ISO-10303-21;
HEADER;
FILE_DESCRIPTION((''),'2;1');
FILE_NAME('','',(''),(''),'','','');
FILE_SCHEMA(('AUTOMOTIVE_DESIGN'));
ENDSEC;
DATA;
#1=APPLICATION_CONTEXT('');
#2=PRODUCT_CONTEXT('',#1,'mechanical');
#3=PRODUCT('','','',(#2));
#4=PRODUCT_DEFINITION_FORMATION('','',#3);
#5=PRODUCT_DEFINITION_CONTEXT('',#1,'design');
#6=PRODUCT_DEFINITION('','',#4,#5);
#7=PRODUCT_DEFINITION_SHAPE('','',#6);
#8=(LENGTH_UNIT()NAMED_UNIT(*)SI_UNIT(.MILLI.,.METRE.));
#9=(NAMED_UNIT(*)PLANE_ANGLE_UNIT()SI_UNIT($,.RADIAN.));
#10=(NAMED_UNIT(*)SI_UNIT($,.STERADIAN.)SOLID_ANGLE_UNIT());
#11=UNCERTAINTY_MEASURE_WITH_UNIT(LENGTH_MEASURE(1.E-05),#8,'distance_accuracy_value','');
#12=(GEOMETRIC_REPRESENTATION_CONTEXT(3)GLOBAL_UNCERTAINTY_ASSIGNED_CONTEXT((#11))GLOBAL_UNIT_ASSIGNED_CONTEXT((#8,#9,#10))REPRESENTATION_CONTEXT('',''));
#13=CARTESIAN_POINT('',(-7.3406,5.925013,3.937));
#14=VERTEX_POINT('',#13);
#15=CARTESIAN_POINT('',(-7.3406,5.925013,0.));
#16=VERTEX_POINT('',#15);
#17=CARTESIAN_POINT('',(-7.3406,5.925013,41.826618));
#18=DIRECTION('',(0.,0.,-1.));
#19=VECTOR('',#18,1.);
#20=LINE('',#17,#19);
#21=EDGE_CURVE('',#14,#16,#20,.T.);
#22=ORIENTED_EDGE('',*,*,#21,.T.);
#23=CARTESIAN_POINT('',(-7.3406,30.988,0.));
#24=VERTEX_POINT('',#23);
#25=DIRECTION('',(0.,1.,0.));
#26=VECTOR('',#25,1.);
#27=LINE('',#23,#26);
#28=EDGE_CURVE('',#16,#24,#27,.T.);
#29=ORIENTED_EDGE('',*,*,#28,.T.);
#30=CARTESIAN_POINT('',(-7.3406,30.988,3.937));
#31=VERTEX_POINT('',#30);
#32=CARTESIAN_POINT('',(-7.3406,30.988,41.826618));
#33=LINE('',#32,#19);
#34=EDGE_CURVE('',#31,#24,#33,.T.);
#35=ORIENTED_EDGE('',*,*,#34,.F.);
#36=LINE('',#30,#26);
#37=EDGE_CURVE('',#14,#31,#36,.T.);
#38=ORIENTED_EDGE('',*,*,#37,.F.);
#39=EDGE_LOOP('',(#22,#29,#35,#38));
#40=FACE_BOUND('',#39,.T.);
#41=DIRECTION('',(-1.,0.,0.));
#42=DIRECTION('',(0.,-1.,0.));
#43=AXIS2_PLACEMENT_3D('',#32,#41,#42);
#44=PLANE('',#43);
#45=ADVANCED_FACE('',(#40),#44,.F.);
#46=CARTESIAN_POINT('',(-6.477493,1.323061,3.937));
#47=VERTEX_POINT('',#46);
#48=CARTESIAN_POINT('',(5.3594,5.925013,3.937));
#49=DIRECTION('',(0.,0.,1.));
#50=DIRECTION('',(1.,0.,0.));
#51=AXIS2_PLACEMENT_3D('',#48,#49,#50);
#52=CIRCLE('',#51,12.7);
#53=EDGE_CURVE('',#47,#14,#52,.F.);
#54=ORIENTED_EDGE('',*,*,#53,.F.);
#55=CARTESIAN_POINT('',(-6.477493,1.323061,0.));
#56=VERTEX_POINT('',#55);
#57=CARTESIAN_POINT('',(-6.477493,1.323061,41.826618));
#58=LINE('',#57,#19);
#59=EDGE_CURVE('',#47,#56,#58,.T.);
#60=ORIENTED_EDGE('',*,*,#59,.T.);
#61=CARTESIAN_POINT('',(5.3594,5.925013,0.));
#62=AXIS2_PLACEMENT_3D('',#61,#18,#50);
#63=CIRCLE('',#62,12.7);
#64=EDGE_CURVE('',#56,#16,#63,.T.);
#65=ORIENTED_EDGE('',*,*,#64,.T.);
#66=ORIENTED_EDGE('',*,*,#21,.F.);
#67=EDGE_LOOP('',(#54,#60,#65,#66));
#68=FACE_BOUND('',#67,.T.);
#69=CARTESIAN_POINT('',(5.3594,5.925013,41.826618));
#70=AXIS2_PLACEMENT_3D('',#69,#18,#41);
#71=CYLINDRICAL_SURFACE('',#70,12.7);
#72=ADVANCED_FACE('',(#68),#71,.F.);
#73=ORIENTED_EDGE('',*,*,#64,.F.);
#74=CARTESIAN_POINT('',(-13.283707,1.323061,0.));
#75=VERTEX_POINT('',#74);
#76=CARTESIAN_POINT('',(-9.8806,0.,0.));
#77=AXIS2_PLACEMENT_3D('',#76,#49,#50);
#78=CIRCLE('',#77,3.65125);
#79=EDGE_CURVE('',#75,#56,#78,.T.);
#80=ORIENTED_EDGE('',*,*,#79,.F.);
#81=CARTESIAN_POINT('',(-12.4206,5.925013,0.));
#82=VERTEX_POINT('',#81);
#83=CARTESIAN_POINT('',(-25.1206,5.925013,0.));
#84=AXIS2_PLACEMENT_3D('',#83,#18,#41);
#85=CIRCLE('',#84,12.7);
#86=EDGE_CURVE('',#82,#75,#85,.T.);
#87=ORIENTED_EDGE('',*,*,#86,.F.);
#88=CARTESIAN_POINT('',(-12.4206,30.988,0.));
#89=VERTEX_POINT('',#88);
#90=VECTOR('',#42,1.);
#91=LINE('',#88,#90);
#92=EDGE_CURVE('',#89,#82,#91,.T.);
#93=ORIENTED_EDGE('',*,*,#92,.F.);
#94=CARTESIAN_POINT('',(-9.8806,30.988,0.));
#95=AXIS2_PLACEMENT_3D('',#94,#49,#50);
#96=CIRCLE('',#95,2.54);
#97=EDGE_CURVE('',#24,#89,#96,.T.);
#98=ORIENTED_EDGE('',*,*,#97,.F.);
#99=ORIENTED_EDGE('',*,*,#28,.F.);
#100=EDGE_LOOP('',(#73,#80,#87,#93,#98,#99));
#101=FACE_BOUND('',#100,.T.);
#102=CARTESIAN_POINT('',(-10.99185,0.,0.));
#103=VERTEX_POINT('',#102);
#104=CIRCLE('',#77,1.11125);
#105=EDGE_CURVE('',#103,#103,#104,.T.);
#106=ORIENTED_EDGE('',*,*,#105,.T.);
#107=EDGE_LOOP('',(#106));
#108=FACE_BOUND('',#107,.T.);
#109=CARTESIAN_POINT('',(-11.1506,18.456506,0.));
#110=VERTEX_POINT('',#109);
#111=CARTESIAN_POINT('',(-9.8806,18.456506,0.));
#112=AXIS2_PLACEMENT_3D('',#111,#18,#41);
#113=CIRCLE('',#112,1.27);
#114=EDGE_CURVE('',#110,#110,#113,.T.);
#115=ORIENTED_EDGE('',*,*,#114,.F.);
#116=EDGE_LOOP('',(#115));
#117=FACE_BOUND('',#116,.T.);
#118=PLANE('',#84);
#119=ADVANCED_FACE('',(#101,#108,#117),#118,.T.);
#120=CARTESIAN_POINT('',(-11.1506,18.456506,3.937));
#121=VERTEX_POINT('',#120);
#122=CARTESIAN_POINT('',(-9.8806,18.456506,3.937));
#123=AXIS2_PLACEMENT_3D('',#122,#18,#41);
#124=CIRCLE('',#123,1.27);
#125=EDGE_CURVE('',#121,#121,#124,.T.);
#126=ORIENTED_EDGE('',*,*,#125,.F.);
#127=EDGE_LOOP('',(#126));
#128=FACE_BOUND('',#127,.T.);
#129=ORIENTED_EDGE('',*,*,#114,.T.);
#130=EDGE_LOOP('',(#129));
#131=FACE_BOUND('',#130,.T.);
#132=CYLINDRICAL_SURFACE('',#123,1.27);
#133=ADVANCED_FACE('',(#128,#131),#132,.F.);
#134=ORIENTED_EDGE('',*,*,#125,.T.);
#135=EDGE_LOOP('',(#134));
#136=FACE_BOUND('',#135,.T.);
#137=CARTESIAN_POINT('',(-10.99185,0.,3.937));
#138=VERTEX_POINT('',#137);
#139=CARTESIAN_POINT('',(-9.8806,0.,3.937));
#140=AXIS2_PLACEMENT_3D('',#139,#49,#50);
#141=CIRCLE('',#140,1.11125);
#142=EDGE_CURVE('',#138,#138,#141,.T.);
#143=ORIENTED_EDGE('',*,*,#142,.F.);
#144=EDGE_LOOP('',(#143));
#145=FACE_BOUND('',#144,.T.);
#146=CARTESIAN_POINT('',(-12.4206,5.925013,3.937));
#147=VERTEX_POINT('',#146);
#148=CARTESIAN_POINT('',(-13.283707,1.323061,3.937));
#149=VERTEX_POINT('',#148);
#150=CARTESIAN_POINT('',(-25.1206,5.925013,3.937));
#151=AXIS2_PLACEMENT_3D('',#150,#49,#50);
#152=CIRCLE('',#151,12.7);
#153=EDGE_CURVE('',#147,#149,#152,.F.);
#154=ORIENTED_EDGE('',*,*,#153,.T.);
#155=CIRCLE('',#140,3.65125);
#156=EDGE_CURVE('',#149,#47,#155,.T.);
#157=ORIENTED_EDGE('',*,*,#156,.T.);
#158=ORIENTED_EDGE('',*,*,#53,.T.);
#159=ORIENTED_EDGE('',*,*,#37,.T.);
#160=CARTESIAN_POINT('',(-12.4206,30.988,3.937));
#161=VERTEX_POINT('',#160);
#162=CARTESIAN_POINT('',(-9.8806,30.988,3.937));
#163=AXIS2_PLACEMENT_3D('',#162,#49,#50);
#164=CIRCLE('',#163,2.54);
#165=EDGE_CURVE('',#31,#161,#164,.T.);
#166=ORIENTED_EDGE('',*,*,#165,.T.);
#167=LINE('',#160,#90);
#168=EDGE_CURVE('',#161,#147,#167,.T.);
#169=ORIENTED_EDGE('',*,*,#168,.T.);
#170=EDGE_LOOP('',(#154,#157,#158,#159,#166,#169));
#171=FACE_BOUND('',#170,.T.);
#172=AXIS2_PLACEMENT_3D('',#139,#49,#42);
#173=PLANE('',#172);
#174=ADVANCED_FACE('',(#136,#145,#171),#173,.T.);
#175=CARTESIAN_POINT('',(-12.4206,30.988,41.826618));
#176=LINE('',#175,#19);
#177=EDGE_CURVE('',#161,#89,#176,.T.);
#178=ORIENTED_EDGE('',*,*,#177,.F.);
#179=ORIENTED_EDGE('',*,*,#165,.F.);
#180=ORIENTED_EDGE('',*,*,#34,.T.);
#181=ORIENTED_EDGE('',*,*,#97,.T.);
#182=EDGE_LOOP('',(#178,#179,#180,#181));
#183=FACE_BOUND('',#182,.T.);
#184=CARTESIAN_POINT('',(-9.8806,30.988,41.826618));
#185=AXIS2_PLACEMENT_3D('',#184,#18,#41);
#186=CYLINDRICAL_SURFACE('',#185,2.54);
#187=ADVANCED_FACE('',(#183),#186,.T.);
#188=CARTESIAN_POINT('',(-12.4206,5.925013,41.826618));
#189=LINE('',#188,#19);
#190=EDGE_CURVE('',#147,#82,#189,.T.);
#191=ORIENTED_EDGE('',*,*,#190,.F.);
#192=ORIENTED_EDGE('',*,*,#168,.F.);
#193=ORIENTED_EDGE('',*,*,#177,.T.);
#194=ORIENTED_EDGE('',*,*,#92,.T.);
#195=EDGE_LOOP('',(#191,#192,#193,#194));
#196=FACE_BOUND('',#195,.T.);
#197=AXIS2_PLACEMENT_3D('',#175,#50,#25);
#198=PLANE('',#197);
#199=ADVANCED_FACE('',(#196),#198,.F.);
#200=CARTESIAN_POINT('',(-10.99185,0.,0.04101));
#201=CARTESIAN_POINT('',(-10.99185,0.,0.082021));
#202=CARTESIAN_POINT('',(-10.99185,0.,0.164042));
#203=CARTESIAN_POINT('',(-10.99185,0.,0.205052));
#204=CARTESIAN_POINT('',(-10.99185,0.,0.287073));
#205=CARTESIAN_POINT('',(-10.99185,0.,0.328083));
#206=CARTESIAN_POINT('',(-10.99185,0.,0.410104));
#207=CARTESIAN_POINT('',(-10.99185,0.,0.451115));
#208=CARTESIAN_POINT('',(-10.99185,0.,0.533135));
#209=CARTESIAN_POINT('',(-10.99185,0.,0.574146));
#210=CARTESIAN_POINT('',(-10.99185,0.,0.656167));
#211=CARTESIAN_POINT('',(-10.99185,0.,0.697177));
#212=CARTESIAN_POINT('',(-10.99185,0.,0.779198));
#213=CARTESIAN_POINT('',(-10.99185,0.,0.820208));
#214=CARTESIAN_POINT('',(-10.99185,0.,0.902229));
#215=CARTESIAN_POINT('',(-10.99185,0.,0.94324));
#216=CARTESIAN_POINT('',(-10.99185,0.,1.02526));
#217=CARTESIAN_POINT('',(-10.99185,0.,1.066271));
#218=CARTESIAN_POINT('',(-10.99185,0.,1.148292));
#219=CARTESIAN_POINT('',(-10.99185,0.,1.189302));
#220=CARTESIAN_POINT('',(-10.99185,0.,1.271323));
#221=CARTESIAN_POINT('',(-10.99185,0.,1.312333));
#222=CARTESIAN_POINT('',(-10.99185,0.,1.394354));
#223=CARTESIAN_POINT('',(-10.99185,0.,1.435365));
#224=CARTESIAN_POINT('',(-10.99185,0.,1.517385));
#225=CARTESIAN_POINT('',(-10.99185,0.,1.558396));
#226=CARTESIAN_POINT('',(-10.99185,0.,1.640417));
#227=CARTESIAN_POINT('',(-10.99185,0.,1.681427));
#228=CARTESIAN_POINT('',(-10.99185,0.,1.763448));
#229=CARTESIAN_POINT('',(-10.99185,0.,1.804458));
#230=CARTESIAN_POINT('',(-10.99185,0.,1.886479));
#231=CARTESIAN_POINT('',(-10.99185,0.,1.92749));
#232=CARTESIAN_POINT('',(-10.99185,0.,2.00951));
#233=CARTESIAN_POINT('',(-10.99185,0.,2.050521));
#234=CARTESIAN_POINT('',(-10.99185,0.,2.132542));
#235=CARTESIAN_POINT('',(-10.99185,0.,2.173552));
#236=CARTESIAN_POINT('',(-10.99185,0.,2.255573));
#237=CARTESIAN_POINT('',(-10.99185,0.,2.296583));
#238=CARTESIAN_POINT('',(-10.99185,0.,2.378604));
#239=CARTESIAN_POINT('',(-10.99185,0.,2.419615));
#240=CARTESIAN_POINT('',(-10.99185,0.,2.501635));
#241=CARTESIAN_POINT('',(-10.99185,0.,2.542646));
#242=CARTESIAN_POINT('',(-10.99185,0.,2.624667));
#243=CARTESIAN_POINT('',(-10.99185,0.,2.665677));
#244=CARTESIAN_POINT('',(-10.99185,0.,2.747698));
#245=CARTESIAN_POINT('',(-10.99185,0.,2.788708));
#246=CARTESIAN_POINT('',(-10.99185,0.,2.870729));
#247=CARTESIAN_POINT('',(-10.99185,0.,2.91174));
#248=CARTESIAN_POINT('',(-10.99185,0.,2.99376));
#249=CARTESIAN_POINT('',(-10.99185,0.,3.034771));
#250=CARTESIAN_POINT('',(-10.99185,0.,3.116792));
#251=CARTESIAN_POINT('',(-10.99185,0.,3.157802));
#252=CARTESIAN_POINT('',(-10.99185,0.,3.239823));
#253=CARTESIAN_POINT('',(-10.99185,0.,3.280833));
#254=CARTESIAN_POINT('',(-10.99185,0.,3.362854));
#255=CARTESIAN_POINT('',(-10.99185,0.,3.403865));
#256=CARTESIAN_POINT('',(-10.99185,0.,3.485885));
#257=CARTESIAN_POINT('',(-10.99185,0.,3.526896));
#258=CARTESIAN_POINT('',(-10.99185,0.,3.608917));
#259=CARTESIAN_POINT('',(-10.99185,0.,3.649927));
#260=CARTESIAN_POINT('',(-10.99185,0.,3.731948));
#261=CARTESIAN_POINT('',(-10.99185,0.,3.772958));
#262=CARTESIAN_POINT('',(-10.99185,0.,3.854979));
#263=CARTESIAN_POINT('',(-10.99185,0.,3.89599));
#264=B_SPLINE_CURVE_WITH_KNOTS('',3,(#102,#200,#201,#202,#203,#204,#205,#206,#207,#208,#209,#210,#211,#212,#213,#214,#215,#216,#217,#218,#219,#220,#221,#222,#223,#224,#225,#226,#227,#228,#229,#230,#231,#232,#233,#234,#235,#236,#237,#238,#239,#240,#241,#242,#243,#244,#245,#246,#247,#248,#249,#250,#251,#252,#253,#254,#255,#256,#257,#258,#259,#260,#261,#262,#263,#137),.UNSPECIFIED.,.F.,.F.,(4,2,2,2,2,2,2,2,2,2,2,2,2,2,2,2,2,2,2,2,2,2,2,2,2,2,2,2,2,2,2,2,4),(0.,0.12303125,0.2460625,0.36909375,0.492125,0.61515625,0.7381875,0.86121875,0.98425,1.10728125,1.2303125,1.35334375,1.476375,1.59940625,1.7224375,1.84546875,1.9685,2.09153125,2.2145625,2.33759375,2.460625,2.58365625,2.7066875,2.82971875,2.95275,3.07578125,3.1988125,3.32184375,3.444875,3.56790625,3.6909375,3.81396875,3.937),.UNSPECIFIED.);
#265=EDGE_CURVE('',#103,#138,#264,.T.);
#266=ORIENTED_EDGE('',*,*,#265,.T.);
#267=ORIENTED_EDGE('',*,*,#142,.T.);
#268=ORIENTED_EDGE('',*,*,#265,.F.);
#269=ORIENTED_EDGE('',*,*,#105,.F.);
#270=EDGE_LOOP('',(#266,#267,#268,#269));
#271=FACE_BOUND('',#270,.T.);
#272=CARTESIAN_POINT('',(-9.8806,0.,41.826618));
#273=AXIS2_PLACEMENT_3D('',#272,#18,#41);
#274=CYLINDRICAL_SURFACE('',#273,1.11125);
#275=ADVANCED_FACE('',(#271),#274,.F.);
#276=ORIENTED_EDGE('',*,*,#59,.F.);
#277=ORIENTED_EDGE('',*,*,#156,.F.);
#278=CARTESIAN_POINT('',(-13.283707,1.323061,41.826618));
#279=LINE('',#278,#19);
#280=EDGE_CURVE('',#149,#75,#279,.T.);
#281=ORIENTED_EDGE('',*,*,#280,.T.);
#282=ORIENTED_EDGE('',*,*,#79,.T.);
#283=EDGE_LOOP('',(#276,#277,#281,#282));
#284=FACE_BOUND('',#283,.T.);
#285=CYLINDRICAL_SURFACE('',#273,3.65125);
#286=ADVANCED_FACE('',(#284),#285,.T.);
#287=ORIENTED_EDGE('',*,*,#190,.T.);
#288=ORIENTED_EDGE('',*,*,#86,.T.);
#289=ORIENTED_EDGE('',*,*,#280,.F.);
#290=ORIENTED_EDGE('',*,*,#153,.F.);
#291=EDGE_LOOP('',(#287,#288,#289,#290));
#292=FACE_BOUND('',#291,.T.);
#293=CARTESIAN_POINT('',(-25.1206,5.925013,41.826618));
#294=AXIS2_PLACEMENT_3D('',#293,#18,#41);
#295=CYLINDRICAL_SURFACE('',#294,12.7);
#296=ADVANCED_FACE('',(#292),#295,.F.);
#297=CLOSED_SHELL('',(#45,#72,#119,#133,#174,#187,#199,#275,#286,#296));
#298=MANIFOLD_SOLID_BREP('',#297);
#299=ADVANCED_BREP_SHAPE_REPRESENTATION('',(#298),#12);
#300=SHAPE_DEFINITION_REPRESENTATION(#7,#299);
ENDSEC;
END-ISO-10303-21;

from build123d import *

# Parameters (mm, degrees)
SKETCH1_R           = 1.11125
BOSS_EXTRUDE1_DEPTH = 3.937
SKETCH2_R           = 1.27
CUT_EXTRUDE1_DEPTH  = 37.36946133


with BuildPart() as part:
    # Sketch1 → Boss-Extrude1 (new body)
    with BuildSketch(Plane.XY):
        with BuildLine():
            Line((-7.3406, 30.988), (-7.3406, 5.92501279))
            ThreePointArc((-7.3406, 5.92501279), (-7.122958425, 3.583917287), (-6.477493204, 1.323061108))
            ThreePointArc((-6.477493204, 1.323061108), (-9.8806, -3.65125), (-13.283706796, 1.323061108))
            ThreePointArc((-13.283706796, 1.323061108), (-12.638241575, 3.583917287), (-12.4206, 5.92501279))
            Line((-12.4206, 5.92501279), (-12.4206, 30.988))
            ThreePointArc((-12.4206, 30.988), (-9.8806, 33.528), (-7.3406, 30.988))
        make_face()
        with Locations(Location((-9.8806, 0, 0), (0, 0, 180))):
            Circle(SKETCH1_R, mode=Mode.SUBTRACT)
    extrude(amount=BOSS_EXTRUDE1_DEPTH)

    # Sketch2 → Cut-Extrude1 (cut, through all)
    with BuildSketch(Plane(origin=(0, 0, 0), x_dir=(-1, 0, 0), z_dir=(0, 0, -1))):
        with Locations((9.8806, 18.456506395)):
            Circle(SKETCH2_R)
    extrude(amount=-CUT_EXTRUDE1_DEPTH, mode=Mode.SUBTRACT)


solid = part.part
